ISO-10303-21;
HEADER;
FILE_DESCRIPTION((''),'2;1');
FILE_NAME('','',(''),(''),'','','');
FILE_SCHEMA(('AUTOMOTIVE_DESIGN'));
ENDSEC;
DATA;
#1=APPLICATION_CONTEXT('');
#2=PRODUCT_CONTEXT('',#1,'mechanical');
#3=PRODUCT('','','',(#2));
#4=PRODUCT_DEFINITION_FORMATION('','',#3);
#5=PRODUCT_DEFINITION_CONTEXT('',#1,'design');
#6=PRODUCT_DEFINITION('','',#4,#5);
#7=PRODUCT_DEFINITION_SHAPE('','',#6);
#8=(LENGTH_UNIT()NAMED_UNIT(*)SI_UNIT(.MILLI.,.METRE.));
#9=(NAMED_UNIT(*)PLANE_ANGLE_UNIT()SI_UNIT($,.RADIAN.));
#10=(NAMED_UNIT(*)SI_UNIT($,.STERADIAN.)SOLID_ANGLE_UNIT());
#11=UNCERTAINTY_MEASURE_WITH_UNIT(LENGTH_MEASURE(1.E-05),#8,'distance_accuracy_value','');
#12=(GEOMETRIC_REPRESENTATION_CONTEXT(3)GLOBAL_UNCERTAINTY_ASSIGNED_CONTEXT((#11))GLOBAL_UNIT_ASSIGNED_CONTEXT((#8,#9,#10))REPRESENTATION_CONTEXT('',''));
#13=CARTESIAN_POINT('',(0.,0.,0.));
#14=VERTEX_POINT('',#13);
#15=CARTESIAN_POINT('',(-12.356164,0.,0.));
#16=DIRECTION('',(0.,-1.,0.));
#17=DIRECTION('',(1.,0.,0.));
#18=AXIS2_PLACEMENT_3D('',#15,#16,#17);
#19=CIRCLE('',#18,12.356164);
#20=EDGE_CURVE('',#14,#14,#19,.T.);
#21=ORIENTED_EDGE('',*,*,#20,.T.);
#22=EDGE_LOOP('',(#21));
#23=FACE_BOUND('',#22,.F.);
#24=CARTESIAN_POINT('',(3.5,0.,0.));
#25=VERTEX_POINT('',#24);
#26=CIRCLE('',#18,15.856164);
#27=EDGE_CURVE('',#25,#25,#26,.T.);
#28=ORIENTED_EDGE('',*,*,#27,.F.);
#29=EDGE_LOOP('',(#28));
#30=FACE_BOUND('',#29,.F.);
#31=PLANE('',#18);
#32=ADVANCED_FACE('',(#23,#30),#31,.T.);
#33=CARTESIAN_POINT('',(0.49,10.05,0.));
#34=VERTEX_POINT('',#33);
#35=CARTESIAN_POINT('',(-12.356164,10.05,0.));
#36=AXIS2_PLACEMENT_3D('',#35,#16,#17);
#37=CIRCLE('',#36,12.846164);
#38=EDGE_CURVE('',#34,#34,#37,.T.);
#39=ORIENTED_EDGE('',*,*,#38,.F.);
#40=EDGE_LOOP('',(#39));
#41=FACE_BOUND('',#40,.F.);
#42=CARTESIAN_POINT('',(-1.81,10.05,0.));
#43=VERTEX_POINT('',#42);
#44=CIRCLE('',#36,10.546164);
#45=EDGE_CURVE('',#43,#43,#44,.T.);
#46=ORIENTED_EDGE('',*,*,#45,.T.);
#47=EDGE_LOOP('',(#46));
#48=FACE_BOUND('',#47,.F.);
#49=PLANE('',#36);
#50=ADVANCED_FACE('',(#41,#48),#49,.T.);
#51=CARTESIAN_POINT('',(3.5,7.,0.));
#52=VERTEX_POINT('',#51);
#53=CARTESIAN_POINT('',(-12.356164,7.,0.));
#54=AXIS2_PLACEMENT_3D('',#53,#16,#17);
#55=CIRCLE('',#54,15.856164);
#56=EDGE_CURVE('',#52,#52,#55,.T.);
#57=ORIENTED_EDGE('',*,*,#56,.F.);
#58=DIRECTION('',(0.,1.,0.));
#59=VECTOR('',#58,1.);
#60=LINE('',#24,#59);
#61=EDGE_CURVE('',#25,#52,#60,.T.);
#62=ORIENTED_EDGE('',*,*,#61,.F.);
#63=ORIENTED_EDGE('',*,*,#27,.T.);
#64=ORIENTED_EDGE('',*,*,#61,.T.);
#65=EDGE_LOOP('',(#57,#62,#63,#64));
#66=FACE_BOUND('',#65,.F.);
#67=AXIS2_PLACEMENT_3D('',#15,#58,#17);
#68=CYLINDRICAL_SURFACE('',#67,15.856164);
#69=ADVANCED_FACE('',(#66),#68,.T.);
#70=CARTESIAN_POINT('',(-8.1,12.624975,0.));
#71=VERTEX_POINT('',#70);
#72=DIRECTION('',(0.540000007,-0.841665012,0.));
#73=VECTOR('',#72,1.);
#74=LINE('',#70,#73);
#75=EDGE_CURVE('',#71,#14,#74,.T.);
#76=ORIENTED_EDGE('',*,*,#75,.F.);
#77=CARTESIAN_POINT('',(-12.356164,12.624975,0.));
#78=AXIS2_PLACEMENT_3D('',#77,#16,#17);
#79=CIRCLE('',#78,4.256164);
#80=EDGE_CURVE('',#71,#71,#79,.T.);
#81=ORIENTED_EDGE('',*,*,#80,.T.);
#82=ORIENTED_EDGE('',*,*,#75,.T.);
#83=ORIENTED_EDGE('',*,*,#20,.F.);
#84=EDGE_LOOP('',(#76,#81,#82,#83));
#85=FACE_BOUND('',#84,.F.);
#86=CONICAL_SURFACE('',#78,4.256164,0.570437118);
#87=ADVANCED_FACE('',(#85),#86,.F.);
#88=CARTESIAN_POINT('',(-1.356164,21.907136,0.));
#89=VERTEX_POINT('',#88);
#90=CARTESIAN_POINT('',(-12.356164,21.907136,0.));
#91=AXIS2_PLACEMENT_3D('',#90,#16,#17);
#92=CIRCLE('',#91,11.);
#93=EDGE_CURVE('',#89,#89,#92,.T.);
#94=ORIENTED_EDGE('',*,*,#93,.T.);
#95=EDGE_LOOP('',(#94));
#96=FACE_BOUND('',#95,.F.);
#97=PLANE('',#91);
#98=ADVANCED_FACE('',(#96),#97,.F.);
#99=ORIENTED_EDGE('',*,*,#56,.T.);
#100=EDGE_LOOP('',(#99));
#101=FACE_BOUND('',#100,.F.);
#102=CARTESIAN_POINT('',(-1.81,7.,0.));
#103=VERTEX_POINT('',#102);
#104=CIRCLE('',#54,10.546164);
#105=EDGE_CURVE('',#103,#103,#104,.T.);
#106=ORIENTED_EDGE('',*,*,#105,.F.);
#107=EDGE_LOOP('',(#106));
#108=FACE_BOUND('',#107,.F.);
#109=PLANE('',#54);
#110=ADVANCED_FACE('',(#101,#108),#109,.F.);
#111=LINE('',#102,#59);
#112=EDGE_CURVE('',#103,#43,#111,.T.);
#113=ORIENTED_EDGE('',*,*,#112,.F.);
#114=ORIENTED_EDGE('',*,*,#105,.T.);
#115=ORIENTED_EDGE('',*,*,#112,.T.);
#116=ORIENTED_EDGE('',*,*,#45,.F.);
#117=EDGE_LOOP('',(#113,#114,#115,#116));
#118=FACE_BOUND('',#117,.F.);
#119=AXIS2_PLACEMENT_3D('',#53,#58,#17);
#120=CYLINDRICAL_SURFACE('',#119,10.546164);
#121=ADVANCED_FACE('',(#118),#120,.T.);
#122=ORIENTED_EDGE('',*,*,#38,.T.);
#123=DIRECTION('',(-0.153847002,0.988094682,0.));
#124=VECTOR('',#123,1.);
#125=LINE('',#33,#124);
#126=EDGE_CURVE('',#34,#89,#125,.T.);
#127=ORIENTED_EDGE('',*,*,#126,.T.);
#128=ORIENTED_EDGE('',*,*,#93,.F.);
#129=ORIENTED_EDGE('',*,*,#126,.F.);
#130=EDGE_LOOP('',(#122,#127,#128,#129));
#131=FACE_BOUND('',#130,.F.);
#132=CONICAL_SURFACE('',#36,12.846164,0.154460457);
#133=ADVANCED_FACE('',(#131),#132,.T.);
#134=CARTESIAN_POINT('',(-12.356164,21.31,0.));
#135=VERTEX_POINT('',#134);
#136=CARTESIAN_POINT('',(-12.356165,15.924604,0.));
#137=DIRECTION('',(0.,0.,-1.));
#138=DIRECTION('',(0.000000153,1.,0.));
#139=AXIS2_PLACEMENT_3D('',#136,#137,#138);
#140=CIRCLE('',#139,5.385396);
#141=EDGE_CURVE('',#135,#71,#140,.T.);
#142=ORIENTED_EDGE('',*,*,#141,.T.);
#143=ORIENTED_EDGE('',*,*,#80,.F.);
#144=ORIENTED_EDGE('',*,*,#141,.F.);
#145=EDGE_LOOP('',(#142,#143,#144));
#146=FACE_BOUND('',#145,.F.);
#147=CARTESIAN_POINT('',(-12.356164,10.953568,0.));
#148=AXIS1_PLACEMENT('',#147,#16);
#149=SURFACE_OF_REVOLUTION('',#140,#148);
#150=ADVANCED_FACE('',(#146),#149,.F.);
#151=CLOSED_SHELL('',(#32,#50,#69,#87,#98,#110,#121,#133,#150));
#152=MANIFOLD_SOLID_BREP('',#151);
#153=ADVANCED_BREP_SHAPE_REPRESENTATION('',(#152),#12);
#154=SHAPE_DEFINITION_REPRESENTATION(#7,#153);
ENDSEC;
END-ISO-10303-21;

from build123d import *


with BuildPart() as f1:
    # F0 (on Top) → F1 (revolve)
    with BuildSketch(Plane.XY):
        with BuildLine():
            Line((-8.1, 12.624975), (0, 0))
            Line((0, 0), (3.5, 0))
            Line((3.5, 0), (3.5, 7))
            Line((3.5, 7), (-1.81, 7))
            Line((-1.81, 7), (-1.81, 10.05))
            Line((-1.81, 10.05), (0.49, 10.05))
            Line((0.49, 10.05), (-1.356164, 21.907136))
            Line((-1.356164, 21.907136), (-12.356164, 21.907136))
            Line((-12.356164, 21.907136), (-12.356164, 21.31))
            ThreePointArc((-12.356164, 21.31), (-7.520242, 18.294486), (-8.1, 12.624975))
        make_face()
    revolve(axis=Axis((-12.356164, 10.953568, 0), (0, -1, 0)))


solid = f1.part
